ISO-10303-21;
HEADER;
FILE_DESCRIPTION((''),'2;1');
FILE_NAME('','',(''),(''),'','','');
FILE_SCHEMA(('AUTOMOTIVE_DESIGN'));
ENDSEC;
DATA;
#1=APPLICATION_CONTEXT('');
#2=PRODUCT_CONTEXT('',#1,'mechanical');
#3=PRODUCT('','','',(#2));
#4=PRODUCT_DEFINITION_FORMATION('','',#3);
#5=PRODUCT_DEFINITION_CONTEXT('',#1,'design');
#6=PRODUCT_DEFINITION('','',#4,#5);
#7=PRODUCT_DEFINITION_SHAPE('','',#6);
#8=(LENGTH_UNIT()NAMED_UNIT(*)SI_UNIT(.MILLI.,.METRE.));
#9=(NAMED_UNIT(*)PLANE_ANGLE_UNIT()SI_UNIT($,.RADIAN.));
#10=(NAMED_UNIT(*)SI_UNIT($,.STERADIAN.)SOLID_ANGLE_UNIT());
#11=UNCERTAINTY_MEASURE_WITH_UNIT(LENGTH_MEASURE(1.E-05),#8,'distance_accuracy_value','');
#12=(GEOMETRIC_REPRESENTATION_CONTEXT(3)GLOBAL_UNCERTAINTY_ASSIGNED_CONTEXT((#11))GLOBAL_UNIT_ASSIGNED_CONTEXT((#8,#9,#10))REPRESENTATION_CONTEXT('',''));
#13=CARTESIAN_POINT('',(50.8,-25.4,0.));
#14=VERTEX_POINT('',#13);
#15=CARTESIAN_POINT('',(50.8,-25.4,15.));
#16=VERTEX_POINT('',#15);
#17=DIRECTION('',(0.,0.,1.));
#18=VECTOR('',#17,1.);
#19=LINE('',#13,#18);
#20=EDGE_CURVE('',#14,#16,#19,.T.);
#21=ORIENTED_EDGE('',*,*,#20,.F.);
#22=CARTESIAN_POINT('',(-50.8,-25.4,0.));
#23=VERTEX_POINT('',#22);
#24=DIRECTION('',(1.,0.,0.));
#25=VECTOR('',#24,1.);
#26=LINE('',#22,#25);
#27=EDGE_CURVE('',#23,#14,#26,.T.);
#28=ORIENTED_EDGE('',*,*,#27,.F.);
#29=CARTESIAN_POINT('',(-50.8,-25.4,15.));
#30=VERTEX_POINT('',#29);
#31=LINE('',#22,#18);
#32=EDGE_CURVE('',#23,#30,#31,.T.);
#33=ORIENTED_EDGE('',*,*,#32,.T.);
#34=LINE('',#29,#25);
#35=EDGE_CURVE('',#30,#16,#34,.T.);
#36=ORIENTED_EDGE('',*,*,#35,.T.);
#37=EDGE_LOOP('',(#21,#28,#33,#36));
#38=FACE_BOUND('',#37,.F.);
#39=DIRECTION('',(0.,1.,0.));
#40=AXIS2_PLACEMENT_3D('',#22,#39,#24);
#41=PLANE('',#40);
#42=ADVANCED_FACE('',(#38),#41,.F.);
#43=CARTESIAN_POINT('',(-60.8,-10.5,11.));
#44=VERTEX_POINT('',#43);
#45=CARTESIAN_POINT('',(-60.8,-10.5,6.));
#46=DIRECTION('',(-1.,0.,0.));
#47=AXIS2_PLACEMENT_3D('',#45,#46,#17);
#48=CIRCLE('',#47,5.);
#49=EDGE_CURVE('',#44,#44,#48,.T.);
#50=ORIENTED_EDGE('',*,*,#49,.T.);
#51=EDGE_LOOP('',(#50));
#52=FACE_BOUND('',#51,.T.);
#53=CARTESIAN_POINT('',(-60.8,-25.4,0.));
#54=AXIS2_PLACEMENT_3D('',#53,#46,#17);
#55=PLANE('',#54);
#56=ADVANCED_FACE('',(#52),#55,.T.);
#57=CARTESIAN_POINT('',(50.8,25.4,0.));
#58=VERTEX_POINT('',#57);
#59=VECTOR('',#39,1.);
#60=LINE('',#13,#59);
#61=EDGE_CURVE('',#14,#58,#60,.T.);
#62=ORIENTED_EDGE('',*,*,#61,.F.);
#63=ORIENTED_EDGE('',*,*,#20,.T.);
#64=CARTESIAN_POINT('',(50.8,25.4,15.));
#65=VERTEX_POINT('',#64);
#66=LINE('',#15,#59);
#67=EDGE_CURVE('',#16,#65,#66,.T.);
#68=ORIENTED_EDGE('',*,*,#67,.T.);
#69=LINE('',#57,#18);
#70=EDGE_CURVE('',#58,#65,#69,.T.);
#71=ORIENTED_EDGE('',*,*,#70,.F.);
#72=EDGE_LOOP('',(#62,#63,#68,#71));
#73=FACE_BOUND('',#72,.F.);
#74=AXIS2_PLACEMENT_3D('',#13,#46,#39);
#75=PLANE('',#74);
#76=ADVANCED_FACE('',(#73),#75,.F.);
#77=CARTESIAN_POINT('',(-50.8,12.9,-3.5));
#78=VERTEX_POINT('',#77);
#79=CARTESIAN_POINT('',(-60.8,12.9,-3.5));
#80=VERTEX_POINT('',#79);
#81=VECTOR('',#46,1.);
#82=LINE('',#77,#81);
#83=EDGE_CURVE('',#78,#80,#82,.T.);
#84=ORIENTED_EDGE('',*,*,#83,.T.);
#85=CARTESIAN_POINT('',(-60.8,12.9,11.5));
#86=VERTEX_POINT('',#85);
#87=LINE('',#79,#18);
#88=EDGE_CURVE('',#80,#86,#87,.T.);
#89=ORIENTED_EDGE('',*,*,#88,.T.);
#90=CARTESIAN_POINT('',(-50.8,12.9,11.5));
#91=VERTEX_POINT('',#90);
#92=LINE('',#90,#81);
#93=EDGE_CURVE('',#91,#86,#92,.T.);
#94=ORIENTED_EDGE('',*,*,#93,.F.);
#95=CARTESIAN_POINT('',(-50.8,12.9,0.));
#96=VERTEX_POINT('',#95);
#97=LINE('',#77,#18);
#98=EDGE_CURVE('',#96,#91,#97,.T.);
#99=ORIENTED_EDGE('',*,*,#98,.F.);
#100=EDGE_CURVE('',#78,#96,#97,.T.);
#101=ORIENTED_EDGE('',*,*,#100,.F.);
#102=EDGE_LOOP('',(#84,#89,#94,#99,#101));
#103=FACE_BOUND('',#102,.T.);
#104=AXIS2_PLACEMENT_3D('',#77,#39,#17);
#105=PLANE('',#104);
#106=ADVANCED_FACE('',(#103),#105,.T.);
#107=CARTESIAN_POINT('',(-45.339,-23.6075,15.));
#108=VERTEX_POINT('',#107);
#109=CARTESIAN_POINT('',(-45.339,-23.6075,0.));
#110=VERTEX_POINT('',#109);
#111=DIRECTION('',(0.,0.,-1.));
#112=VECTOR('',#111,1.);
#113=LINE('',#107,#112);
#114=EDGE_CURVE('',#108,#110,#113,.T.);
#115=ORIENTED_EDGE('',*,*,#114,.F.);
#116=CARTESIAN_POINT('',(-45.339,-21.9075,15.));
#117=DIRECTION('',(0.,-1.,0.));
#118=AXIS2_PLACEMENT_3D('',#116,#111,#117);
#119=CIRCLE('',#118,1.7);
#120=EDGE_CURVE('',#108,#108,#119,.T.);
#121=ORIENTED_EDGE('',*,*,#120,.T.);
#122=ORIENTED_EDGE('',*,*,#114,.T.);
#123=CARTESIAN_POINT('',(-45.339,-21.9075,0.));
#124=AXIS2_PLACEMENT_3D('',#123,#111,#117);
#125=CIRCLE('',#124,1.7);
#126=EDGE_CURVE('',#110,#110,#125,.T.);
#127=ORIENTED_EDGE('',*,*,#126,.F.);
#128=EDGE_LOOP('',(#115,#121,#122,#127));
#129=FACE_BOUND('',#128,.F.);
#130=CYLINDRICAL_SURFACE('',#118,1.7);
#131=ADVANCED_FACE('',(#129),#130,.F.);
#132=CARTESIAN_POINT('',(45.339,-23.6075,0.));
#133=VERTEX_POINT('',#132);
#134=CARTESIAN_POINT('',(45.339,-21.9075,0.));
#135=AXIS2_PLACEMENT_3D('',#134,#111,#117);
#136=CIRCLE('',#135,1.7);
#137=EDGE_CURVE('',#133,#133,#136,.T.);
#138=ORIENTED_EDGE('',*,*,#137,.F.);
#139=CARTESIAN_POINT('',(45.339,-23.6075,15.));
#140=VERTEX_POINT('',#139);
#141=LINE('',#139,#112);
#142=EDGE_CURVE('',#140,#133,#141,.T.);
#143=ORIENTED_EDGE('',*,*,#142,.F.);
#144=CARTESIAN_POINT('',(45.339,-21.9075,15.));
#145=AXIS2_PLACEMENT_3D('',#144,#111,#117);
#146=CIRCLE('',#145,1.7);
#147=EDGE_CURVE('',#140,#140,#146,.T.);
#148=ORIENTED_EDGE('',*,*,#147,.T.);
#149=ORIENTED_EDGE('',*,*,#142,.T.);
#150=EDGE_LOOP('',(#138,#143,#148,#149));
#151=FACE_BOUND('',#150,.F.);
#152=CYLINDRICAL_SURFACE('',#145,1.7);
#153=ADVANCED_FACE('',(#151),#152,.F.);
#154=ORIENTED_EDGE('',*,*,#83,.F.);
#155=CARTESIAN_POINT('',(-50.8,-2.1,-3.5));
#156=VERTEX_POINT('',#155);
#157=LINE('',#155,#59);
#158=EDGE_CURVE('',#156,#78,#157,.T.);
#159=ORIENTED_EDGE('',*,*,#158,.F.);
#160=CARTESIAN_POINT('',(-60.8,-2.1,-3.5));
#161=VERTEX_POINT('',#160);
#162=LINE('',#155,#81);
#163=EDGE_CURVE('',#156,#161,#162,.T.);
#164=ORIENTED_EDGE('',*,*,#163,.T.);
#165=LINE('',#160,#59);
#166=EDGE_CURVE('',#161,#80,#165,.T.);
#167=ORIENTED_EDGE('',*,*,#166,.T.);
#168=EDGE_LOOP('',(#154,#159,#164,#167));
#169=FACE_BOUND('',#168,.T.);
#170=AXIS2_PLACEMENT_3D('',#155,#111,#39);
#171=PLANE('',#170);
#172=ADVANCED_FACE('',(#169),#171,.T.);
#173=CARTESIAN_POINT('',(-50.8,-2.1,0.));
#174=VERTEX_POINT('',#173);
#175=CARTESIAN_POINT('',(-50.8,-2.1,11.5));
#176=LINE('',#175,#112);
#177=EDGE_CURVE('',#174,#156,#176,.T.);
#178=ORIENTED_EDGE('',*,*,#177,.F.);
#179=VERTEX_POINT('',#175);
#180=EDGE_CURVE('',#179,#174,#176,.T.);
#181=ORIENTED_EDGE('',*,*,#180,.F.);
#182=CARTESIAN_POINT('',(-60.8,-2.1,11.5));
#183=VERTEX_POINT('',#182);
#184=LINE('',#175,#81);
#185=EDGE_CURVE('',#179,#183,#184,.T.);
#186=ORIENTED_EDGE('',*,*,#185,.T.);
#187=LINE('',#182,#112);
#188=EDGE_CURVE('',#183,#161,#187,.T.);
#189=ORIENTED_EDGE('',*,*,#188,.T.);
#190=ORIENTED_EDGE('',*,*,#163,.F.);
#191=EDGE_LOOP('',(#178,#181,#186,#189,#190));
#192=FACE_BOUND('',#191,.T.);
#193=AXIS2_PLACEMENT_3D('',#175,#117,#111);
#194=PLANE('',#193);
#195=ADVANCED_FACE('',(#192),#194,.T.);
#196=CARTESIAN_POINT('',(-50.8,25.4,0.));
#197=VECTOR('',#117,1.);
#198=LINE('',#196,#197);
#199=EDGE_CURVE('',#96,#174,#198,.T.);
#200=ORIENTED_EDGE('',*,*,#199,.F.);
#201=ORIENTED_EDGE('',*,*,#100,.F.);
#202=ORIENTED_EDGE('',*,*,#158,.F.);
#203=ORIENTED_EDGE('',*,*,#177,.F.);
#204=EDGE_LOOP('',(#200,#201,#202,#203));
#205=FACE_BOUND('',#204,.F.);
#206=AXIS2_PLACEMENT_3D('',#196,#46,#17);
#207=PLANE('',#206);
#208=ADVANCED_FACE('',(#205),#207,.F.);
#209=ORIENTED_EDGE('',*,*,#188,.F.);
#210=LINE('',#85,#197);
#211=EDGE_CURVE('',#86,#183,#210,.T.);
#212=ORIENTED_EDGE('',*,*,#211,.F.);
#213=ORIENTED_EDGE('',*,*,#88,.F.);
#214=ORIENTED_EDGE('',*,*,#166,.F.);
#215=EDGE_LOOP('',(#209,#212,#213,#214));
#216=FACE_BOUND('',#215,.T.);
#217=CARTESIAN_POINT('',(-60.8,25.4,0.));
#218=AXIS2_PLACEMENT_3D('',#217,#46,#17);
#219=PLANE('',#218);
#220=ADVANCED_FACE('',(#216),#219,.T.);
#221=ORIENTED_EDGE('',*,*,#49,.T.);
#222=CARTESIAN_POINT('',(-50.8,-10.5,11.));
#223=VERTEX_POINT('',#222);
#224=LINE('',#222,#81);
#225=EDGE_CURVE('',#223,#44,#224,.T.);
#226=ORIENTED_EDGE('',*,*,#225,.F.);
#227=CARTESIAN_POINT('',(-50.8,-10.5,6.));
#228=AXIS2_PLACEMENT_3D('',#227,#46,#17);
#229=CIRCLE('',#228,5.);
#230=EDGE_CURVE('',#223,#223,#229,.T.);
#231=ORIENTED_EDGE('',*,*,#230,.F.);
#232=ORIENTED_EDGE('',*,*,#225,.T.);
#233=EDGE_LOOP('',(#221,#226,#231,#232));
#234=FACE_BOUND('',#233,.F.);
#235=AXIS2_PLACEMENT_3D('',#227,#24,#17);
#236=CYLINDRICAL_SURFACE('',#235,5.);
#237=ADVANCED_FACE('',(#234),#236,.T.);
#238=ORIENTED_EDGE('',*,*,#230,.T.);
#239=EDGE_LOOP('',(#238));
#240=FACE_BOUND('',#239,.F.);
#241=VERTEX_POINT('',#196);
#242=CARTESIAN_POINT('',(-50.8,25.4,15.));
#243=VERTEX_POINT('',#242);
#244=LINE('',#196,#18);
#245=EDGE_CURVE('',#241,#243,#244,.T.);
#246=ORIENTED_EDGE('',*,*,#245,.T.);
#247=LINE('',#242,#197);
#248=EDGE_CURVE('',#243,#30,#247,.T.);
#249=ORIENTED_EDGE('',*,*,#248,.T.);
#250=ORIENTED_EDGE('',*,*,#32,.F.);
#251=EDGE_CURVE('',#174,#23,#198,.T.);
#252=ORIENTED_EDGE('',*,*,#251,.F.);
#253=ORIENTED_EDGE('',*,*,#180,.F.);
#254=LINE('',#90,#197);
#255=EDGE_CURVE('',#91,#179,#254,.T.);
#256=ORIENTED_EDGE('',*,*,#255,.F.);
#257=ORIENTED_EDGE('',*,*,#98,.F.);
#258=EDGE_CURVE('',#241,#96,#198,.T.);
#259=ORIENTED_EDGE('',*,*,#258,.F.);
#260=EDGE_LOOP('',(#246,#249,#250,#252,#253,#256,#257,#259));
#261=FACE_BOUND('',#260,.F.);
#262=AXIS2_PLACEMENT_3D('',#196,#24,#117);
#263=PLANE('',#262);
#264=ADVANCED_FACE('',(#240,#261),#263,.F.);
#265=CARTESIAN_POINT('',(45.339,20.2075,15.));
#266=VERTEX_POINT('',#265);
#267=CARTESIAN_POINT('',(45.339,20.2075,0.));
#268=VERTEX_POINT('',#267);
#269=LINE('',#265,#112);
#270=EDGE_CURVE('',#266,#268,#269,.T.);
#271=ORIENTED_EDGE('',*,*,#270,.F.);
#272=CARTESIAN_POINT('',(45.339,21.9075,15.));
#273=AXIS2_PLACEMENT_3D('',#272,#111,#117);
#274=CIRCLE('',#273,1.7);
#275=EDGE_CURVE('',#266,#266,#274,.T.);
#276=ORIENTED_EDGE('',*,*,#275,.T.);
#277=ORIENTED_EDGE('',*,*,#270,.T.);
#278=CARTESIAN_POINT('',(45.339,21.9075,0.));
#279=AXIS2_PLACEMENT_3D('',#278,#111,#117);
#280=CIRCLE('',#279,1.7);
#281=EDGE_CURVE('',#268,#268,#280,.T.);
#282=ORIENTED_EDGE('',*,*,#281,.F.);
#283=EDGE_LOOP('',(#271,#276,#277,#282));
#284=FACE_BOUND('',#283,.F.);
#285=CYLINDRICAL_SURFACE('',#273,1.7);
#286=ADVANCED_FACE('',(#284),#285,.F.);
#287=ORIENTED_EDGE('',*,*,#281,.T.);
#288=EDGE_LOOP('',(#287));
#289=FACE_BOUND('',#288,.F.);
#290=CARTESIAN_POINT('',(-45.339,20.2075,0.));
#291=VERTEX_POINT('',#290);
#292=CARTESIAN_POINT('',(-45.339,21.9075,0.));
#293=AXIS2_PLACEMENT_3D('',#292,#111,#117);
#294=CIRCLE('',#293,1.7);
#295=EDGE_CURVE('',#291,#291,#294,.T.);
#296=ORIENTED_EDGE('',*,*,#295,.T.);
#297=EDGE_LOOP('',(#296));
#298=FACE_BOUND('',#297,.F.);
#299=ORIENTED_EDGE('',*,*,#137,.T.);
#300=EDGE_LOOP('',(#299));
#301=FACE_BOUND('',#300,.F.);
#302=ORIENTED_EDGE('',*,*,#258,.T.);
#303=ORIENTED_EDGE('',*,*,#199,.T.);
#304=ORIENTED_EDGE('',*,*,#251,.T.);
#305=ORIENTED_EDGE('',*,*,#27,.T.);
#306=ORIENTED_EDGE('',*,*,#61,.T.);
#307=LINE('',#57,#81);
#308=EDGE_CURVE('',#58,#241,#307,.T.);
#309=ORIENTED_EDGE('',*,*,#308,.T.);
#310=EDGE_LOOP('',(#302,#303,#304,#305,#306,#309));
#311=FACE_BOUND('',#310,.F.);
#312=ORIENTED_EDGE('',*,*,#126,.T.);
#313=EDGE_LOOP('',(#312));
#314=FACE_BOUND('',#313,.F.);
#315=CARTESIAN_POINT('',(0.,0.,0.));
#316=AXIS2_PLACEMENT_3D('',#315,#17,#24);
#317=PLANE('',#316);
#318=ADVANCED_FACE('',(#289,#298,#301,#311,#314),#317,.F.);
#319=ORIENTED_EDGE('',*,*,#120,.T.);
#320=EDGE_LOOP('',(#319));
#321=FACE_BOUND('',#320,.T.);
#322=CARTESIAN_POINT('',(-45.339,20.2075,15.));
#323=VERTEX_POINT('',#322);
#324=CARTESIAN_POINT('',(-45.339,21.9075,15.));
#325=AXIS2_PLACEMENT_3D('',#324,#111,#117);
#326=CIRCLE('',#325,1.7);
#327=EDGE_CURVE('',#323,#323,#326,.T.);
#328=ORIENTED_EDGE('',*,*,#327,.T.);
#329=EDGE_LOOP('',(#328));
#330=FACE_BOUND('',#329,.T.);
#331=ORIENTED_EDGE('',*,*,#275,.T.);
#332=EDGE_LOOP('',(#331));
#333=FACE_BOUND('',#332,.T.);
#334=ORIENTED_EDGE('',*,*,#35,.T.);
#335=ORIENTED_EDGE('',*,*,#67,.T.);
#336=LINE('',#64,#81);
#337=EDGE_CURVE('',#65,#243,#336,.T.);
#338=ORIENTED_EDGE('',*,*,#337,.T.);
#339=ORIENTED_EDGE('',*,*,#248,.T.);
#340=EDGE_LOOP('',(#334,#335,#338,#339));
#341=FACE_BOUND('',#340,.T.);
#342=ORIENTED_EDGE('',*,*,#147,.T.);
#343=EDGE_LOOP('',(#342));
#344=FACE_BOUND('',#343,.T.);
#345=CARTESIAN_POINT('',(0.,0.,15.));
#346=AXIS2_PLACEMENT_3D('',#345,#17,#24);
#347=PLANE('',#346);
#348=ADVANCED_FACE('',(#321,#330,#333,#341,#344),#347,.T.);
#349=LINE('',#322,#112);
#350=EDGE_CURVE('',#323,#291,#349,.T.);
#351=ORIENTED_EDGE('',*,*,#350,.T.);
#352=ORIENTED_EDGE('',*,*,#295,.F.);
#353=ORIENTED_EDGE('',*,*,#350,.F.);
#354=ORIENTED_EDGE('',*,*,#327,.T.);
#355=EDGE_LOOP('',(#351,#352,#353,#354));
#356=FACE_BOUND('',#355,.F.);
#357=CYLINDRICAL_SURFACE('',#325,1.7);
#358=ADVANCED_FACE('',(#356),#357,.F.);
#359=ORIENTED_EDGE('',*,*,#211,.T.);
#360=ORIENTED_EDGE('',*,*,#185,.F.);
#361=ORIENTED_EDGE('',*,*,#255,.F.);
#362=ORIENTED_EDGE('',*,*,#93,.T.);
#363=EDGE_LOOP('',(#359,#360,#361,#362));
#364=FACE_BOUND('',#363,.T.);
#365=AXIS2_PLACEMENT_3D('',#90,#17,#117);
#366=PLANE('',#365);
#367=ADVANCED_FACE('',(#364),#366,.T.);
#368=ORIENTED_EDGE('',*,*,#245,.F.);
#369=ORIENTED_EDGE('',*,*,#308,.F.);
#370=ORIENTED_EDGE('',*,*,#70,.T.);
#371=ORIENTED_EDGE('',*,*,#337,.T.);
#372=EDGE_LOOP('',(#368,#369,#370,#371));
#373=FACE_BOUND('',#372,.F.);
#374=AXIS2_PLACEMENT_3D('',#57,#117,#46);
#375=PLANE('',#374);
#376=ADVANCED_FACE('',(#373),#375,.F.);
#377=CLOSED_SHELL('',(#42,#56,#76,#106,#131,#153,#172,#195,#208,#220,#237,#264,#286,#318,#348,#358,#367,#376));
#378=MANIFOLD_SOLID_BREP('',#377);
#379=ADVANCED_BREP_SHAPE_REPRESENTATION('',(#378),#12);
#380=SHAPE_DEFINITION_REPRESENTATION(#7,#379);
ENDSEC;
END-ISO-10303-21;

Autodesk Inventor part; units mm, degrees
ref_plane "YZ Plane" through (0, 0, 0) normal (1, 0, 0) x (0, 1, 0)
ref_plane "XZ Plane" through (0, 0, 0) normal (0, 1, 0) x (-1, 0, 0)
ref_plane "XY Plane" through (0, 0, 0) normal (0, 0, 1) x (1, 0, 0)
sketch "Sketch1" plane through (0, 0, 0) normal (0, 0, 1) x (1, 0, 0)
  line L0 (-50.8, -25.4) -> (50.8, -25.4)
  line L1 (50.8, -25.4) -> (50.8, 25.4)
  line L2 (50.8, 25.4) -> (-50.8, 25.4)
  line L3 (-50.8, 25.4) -> (-50.8, -25.4)
  point P0 (0, 0)
  point P1 (0, 25.4)
  point P2 (50.8, 0)
  dimension "d10" = 6.5
  dimension "d0" = 50.8
  dimension "d2" = 101.6
extrude "Extrusion1" add sketch "Sketch1" along normal blind 15
sketch "Sketch2" plane through (0, 0, 15) normal (0, 0, 1) x (1, 0, 0)
  line L0 (50.8, -25.4) -> (50.8, 25.4) projected
  line L1 (50.8, 25.4) -> (-50.8, 25.4) projected
  line L2 (-45.339, 21.9075) -> (45.339, 21.9075)
  line L3 (45.339, 21.9075) -> (45.339, -21.9075)
  line L4 (45.339, -21.9075) -> (-45.339, -21.9075)
  line L5 (-45.339, -21.9075) -> (-45.339, 21.9075)
  point P0 (45.339, 0)
  point P1 (50.8, 0)
  point P2 (0, 21.9075)
  point P3 (0, 25.4)
  dimension "d5" = 43.815
  dimension "d7" = 90.678
hole "Hole1" at (-45.339, 21.9075, 15) at (45.339, 21.9075, 15) at (45.339, -21.9075, 15) at (-45.339, -21.9075, 15) direction (0, 0, -1) diameter 3.4 end through all clearance for "Socket Head Cap Screw" size "M3" standard "Ansi Metric M Profile"
sketch "Sketch3" plane through (-50.8, -25.4, 0) normal (-1, 0, 0) x (0, 0, 1)
  line L0 (0, 50.8) -> (0, 0) projected
  line L1 (0, 0) -> (15, 0) projected
  circle A0 centre (6, 14.9) radius 5
  point P0 (0, 25.4)
  dimension "d15" = 6
  dimension "d16" = 14.9
  dimension "d17" = 10
extrude "Extrusion2" add sketch "Sketch3" along normal blind 10
sketch "Sketch4" plane through (-50.8, 25.4, 0) normal (-1, 0, 0) x (0, 0, 1)
  circle A0 centre (6, -35.9) radius 5 projected
  line L0 (0, 0) -> (15, 0) projected
  line L1 (-3.5, -12.5) -> (11.5, -12.5)
  line L2 (11.5, -12.5) -> (11.5, -27.5)
  line L3 (11.5, -27.5) -> (-3.5, -27.5)
  line L4 (-3.5, -27.5) -> (-3.5, -12.5)
  point P0 (0, -27.9)
  point P1 (15, -31.5411)
  point P2 (0, -25.4)
  point P3 (-3.5, -20)
  point P4 (4, -12.5)
  dimension "d20" = 20
  dimension "d21" = 15
  dimension "d22" = 15
  dimension "d23" = 2
extrude "Extrusion3" add sketch "Sketch4" along normal blind 10 contours L1 L2 L3 L4
properties part number "electronics"
